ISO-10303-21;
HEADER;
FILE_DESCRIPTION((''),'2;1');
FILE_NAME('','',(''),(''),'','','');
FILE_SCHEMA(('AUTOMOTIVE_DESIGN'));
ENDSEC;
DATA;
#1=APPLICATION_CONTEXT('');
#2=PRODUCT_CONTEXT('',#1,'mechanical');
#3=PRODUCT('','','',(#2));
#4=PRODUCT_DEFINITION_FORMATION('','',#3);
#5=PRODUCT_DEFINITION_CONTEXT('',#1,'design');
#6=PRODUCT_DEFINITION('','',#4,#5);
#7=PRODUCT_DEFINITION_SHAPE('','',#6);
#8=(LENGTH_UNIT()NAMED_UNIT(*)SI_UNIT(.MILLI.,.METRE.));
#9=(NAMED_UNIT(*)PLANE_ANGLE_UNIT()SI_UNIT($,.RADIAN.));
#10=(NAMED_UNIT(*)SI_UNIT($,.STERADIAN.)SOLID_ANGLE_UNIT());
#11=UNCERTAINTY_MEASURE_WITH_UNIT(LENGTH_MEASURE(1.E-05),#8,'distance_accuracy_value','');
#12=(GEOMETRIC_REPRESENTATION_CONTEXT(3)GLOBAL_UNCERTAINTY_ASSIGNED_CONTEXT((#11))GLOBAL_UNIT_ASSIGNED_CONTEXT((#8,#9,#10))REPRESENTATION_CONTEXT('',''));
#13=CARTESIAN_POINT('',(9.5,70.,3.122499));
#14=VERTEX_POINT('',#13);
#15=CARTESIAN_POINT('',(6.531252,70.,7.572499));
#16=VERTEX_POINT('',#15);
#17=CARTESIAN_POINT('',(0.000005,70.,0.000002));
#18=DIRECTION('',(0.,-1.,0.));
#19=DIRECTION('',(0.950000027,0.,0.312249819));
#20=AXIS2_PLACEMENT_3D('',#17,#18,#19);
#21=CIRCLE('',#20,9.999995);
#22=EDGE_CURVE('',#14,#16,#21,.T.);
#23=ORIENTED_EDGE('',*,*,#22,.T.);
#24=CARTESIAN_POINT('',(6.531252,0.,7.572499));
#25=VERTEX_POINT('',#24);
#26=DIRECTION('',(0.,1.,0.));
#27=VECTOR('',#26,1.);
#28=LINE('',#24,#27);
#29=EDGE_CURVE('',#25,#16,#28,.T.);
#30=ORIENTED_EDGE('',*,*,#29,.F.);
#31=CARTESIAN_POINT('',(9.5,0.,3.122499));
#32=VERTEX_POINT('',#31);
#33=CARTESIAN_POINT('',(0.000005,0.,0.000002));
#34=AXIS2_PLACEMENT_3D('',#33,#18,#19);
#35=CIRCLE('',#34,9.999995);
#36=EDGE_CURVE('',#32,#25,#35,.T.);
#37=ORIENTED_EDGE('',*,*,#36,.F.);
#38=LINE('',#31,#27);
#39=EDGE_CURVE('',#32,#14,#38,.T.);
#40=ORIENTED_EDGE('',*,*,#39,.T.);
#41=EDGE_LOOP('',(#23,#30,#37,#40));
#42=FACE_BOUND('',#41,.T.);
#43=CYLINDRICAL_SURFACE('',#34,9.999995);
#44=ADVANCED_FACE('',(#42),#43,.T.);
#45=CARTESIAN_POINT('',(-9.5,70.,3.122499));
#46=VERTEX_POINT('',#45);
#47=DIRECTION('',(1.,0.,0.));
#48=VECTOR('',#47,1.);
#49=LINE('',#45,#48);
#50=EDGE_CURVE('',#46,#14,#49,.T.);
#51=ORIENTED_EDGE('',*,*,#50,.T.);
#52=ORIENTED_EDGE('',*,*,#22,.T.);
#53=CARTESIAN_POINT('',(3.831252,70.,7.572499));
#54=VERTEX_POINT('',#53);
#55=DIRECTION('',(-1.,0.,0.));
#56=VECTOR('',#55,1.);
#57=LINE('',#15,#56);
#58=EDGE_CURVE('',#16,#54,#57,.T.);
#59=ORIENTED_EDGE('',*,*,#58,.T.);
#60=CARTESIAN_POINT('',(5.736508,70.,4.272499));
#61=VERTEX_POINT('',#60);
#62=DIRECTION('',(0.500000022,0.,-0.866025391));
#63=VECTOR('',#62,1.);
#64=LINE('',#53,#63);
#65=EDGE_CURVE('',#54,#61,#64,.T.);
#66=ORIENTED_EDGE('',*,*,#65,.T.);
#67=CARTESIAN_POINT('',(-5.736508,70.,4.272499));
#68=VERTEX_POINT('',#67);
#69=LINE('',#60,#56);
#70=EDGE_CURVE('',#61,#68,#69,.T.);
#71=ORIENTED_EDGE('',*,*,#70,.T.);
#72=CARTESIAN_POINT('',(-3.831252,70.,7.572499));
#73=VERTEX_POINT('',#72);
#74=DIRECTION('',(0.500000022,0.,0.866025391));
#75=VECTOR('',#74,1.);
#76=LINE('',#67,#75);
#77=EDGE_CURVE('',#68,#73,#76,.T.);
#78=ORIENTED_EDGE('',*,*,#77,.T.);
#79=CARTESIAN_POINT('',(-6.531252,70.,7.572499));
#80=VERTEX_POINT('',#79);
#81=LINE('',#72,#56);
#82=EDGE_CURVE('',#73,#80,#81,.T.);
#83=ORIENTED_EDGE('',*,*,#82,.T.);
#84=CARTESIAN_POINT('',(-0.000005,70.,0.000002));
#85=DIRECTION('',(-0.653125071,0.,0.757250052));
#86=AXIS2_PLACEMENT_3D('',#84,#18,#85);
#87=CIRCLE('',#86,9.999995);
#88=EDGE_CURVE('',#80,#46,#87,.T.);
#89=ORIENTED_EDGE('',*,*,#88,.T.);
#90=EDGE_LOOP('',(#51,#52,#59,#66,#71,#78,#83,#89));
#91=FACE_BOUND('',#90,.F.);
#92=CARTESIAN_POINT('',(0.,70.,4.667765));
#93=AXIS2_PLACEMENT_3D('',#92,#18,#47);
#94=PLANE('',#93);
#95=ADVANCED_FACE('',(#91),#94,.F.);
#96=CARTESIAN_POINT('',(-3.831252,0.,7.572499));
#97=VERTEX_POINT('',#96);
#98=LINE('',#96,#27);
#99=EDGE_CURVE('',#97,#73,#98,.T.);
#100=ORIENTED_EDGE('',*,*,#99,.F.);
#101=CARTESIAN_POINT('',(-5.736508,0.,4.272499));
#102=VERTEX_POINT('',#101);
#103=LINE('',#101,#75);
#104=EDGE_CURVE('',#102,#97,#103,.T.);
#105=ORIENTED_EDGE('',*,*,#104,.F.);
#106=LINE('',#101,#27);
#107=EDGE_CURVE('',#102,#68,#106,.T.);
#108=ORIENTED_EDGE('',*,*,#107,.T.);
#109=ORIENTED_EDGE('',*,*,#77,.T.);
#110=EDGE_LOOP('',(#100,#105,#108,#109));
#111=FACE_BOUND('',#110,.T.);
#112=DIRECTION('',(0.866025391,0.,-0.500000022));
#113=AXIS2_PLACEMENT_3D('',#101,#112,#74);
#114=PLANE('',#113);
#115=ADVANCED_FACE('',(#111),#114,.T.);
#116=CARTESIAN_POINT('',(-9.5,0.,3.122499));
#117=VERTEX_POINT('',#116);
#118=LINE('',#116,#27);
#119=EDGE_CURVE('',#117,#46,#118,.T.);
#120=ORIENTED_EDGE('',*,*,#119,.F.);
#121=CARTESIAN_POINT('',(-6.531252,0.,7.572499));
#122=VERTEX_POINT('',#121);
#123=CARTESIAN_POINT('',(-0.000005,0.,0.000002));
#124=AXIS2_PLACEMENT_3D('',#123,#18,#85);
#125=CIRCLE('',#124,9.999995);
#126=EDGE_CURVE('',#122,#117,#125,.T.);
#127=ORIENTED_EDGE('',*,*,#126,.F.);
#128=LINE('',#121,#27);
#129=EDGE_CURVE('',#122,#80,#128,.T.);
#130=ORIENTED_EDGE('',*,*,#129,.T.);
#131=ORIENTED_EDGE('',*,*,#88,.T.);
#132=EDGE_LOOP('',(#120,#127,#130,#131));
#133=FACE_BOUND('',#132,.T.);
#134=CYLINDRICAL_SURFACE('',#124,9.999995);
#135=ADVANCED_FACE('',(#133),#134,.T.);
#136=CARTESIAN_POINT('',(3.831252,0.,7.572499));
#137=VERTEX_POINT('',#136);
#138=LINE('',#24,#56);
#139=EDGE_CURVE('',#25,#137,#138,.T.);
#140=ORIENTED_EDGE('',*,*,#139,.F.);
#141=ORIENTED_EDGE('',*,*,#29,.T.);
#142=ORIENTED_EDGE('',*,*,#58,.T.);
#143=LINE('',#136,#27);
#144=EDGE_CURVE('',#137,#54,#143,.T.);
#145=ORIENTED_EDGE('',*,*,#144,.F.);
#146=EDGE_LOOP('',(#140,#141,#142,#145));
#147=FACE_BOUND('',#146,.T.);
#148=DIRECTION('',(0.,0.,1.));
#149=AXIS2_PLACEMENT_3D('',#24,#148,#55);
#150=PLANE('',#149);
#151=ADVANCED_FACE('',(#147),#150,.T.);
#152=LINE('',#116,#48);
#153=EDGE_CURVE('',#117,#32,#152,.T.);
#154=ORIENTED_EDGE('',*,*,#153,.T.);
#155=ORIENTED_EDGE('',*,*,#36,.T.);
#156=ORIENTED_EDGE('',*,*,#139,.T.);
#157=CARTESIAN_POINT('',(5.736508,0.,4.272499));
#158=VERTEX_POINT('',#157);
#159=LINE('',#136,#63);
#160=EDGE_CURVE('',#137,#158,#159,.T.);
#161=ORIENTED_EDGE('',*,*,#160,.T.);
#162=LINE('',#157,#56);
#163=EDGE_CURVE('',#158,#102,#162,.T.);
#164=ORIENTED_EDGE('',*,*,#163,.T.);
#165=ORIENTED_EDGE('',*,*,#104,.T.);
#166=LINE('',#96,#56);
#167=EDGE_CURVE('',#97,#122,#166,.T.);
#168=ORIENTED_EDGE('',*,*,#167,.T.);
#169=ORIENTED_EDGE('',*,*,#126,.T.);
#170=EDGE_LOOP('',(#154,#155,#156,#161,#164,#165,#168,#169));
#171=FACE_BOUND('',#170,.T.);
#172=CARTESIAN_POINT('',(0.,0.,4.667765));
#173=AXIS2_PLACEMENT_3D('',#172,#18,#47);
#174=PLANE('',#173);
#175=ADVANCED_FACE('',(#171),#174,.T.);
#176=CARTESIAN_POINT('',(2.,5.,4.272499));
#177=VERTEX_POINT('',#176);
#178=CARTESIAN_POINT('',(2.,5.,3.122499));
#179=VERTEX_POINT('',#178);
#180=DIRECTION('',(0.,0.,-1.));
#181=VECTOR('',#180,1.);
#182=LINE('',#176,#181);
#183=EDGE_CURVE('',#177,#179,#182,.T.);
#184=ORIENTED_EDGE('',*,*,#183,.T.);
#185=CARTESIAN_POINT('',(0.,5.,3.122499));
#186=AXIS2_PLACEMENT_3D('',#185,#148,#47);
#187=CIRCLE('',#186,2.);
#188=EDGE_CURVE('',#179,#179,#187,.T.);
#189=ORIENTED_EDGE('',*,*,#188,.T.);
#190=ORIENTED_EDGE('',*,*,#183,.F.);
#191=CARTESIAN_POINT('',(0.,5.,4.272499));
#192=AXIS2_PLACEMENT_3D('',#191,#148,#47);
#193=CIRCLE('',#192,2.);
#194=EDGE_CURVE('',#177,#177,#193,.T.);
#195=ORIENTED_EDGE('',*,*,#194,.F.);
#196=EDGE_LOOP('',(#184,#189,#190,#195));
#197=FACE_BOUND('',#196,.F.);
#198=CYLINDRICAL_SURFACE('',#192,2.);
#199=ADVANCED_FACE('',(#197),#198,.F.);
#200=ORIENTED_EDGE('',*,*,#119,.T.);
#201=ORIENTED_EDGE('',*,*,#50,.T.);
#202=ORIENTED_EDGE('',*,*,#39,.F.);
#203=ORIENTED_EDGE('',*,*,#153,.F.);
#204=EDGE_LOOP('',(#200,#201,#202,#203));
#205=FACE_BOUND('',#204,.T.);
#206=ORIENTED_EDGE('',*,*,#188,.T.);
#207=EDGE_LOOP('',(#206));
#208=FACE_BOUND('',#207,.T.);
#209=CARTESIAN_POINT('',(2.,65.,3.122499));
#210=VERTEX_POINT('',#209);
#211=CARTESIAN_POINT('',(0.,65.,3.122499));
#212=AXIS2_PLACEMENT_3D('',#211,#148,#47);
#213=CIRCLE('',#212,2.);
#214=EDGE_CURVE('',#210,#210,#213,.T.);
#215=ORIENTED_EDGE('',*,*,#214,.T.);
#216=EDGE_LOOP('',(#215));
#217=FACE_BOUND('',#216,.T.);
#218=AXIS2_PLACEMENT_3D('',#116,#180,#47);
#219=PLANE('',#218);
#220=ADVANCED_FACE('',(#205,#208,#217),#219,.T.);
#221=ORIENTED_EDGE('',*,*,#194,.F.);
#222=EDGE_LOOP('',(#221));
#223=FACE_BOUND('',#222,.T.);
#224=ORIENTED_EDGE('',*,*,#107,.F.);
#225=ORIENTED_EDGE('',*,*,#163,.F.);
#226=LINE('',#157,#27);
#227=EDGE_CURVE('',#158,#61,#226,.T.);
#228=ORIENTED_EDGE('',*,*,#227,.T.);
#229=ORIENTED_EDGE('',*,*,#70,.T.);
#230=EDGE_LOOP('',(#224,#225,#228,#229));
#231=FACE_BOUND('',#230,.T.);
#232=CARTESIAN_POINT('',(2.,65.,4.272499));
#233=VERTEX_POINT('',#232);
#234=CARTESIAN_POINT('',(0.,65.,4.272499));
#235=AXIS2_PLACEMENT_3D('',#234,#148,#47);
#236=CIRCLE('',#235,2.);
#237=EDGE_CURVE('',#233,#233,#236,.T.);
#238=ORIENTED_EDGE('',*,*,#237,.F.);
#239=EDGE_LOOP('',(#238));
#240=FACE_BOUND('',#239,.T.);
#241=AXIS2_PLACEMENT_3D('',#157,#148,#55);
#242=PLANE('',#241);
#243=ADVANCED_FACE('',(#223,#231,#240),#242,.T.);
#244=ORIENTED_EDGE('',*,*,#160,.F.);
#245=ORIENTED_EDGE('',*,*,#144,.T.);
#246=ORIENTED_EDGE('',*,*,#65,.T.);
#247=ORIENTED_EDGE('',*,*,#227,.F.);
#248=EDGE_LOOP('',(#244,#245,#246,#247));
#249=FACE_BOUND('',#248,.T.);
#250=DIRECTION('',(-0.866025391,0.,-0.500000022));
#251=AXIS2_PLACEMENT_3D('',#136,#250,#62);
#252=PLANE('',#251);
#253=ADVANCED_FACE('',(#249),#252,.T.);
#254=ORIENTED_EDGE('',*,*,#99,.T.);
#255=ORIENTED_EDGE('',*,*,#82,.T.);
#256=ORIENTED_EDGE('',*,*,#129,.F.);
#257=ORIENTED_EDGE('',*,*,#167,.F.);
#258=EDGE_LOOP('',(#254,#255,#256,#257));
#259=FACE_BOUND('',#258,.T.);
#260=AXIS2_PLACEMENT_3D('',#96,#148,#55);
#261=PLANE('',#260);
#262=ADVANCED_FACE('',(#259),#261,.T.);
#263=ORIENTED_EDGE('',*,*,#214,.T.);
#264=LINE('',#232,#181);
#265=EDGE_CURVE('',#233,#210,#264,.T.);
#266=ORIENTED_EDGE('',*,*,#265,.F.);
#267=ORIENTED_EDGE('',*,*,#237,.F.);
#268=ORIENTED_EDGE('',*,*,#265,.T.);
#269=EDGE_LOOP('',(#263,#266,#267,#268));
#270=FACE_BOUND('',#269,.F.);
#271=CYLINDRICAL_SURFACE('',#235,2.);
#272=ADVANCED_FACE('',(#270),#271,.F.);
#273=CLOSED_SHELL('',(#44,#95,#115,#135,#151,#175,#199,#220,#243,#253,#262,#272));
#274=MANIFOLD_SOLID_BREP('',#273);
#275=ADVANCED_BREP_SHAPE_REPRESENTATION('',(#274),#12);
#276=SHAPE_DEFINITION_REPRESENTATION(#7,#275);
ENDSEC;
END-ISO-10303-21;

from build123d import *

# Parameters (mm, degrees)
F1_DEPTH = 70
F2_R     = 2
F3_DEPTH = 1.151
F4_DEPTH = 1.151


with BuildPart() as f1:
    # F0 (on Front) → F1 (new body)
    with BuildSketch(Plane.XZ):
        with BuildLine():
            Line((-9.5, 3.122499), (9.5, 3.122499))
            ThreePointArc((9.5, 3.122499), (8.318707, 5.549695), (6.531252, 7.572499))
            Line((6.531252, 7.572499), (3.831252, 7.572499))
            Line((3.831252, 7.572499), (5.736508, 4.272499))
            Line((5.736508, 4.272499), (0, 4.272499))
            Line((0, 4.272499), (-5.736508, 4.272499))
            Line((-5.736508, 4.272499), (-3.831252, 7.572499))
            Line((-3.831252, 7.572499), (-6.531252, 7.572499))
            ThreePointArc((-6.531252, 7.572499), (-8.318707, 5.549695), (-9.5, 3.122499))
        make_face()
    extrude(amount=-F1_DEPTH)

    # F2 (on face) → F3 (cut, through all)
    with BuildSketch(Plane.XY.offset(4.272499)):
        with Locations((0, 5)):
            Circle(F2_R)
    extrude(amount=-F3_DEPTH, mode=Mode.SUBTRACT)

    # F2 (on face) → F4 (cut, through all)
    with BuildSketch(Plane.XY.offset(4.272499)):
        with Locations((0, 5)):
            Circle(F2_R)
        with Locations((0, 65)):
            Circle(F2_R)
    extrude(amount=-F4_DEPTH, mode=Mode.SUBTRACT)


solid = f1.part
